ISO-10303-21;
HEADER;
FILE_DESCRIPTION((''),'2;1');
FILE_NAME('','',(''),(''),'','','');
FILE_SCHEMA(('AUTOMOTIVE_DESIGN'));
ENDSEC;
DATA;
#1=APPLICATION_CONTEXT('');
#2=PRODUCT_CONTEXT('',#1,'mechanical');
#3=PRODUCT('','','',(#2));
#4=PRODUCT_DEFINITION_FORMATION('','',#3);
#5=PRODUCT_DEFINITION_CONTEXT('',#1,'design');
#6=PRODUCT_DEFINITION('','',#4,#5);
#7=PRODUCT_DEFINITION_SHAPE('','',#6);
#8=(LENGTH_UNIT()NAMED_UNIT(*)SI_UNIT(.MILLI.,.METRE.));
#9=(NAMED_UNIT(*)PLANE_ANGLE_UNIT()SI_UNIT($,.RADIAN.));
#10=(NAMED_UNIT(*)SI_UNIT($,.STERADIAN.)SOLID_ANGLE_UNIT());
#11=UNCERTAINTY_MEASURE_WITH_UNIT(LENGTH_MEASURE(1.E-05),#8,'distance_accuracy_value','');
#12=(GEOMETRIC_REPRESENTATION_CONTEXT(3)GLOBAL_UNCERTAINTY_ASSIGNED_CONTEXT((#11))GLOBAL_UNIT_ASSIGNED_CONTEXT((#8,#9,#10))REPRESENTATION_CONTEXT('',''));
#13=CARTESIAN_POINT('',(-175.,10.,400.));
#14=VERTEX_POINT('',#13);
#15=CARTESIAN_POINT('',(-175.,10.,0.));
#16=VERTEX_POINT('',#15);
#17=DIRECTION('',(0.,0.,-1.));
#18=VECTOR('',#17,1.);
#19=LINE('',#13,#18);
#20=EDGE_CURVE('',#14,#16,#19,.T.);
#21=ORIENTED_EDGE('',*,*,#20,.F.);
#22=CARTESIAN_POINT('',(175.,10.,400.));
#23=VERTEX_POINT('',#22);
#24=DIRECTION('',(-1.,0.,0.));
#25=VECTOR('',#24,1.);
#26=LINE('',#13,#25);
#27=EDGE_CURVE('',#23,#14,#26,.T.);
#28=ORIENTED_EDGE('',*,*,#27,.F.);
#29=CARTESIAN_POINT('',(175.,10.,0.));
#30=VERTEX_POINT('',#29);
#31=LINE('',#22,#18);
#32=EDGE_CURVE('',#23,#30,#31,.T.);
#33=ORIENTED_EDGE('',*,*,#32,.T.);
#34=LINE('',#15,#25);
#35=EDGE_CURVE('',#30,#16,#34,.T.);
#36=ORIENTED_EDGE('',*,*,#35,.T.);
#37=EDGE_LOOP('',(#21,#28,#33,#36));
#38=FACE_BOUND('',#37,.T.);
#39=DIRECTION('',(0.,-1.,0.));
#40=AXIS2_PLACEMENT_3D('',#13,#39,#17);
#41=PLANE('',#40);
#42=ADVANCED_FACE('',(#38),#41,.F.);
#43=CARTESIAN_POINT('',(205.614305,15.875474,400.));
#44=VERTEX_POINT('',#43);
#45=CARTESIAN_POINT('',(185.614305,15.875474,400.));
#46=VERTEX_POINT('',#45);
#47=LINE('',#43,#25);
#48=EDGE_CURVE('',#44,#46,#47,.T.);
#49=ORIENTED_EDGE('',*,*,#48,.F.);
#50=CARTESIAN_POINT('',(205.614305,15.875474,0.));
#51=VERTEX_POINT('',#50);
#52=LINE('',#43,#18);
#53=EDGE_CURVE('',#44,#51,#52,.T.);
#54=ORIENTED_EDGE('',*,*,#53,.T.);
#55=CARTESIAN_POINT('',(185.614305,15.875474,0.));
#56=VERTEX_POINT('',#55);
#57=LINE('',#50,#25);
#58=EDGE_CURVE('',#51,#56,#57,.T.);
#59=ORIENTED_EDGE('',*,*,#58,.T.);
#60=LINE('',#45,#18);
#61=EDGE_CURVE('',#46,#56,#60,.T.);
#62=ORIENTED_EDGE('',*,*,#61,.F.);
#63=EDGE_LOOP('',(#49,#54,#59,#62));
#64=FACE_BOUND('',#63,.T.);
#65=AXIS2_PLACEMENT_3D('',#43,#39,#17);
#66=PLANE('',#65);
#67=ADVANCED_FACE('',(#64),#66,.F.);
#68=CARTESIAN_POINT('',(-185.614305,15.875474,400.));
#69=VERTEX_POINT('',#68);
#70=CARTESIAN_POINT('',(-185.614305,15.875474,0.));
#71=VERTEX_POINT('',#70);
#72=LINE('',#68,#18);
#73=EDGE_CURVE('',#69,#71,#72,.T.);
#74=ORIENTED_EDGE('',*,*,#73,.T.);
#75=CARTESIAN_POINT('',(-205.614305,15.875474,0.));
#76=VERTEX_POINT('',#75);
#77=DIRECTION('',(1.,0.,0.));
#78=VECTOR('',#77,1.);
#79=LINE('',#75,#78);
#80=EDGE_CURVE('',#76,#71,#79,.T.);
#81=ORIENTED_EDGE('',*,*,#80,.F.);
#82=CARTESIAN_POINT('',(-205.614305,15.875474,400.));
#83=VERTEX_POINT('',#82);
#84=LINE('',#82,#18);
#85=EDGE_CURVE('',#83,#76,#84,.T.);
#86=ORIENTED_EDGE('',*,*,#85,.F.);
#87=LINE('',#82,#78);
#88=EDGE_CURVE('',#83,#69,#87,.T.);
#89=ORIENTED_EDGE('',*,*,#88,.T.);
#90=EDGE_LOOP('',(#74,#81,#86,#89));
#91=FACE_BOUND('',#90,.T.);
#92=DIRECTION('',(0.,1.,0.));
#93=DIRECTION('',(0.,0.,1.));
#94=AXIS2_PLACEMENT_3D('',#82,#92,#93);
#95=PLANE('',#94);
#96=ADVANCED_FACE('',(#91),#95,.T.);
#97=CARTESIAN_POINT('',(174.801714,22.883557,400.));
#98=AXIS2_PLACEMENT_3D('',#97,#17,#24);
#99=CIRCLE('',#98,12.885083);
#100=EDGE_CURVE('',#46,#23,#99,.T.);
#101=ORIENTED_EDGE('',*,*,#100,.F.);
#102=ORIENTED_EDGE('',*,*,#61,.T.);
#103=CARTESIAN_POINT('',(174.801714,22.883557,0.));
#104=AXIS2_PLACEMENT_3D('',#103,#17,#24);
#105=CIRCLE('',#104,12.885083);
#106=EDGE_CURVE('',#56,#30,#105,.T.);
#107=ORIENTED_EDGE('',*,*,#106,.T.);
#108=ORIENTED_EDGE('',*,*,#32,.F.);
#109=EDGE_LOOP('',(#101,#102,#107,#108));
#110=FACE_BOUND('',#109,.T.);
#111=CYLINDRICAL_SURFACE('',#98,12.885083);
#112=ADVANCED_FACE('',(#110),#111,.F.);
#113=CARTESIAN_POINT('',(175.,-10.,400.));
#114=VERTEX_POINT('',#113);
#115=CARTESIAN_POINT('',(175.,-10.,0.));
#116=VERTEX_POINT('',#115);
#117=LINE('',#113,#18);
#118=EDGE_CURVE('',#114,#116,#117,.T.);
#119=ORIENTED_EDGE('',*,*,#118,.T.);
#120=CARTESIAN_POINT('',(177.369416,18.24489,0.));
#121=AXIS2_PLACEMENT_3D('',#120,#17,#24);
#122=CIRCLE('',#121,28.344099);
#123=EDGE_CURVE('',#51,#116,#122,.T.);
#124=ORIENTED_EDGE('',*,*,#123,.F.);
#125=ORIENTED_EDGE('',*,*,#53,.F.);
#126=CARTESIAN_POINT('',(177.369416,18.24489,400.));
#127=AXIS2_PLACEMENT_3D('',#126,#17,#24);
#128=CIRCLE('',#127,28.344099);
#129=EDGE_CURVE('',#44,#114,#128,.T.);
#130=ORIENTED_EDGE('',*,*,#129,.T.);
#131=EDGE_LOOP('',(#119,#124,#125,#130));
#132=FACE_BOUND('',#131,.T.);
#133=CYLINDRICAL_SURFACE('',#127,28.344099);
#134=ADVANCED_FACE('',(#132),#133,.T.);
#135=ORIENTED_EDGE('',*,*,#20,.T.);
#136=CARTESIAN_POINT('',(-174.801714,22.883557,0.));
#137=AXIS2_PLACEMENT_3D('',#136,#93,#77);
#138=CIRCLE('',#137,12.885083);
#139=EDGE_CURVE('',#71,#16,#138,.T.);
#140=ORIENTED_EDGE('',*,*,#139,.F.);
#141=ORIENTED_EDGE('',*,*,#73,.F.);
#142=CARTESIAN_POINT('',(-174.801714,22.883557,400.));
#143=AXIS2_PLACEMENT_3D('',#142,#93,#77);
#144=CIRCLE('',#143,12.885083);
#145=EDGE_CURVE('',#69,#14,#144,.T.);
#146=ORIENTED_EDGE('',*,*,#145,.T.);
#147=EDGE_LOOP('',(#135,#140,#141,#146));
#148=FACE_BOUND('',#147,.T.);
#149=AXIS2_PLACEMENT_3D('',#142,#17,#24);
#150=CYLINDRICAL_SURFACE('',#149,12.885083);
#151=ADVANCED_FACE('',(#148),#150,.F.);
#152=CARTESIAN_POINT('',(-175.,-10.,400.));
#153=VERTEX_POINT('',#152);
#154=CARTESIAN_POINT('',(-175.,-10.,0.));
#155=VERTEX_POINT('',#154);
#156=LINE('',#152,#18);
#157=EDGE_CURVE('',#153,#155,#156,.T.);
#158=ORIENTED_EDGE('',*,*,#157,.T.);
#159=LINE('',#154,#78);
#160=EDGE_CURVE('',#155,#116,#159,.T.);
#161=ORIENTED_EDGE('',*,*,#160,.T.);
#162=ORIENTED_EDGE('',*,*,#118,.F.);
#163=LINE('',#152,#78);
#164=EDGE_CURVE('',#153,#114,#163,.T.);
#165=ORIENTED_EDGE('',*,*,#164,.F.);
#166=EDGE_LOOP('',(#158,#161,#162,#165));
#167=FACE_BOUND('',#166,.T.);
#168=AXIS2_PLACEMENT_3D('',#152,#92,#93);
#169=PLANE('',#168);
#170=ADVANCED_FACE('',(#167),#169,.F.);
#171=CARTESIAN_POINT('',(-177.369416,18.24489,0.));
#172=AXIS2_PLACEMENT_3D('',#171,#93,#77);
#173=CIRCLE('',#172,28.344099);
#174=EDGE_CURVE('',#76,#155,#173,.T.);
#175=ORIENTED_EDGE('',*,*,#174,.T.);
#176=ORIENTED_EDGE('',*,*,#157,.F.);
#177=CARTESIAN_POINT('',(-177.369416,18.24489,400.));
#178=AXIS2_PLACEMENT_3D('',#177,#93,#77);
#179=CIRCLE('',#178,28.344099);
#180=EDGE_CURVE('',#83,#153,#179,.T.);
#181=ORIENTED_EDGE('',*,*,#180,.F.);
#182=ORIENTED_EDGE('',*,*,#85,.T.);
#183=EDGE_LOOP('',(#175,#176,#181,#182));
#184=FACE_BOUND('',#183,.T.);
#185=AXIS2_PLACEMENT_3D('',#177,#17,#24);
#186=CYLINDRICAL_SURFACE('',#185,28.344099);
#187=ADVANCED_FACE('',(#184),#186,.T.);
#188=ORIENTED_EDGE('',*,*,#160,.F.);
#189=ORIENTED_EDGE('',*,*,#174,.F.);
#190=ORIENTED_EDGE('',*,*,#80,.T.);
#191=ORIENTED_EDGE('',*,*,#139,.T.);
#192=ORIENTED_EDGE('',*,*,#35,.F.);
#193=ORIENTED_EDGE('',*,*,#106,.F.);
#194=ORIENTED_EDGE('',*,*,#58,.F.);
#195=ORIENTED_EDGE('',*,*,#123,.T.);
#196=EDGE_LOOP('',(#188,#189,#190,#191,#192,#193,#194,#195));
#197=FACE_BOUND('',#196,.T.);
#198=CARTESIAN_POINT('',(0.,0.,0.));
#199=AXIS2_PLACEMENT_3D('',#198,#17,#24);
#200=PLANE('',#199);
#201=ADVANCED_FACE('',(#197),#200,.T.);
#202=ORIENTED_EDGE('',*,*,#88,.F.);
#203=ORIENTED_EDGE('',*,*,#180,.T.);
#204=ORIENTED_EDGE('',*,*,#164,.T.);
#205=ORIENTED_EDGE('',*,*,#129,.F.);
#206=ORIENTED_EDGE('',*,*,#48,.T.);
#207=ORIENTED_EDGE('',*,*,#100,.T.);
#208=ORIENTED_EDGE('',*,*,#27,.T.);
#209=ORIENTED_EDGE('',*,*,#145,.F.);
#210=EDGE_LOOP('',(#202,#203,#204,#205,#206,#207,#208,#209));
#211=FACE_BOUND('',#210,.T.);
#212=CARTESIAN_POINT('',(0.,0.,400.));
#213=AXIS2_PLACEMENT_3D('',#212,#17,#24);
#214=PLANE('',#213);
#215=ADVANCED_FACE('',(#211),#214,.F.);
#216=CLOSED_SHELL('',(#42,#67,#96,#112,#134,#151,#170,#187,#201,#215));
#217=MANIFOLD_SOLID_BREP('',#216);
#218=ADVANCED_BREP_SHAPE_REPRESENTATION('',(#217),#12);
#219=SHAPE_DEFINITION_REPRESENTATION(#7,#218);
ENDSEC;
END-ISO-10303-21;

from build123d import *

# Parameters (mm, degrees)
SKETCH1_W           = 350
SKETCH1_H           = 20
BOSS_EXTRUDE1_DEPTH = 400
BOSS_EXTRUDE2_DEPTH = 400


with BuildPart() as part:
    # Sketch1 → Boss-Extrude1 (new body)
    with BuildSketch(Plane.XY):
        Rectangle(SKETCH1_W, SKETCH1_H)
    extrude(amount=BOSS_EXTRUDE1_DEPTH)

    # Sketch2 → Boss-Extrude2 (add)
    with BuildSketch(Plane.XY):
        with BuildLine():
            Line((-175, 10), (-175, -10))
            ThreePointArc((-175, -10), (-195.66613877, -3.40269315), (-205.614305224, 15.875474127))
            Line((-205.614305224, 15.875474127), (-185.614305224, 15.875474127))
            ThreePointArc((-185.614305224, 15.875474127), (-181.041918581, 11.610349673), (-175, 10))
        make_face()
    boss_extrude2 = extrude(amount=BOSS_EXTRUDE2_DEPTH)

    # Mirror1: Boss-Extrude2 across plane
    add(boss_extrude2.mirror(Plane(origin=(0, 0, 0), x_dir=(0, 0, 1), z_dir=(1, 0, 0))))


solid = part.part
